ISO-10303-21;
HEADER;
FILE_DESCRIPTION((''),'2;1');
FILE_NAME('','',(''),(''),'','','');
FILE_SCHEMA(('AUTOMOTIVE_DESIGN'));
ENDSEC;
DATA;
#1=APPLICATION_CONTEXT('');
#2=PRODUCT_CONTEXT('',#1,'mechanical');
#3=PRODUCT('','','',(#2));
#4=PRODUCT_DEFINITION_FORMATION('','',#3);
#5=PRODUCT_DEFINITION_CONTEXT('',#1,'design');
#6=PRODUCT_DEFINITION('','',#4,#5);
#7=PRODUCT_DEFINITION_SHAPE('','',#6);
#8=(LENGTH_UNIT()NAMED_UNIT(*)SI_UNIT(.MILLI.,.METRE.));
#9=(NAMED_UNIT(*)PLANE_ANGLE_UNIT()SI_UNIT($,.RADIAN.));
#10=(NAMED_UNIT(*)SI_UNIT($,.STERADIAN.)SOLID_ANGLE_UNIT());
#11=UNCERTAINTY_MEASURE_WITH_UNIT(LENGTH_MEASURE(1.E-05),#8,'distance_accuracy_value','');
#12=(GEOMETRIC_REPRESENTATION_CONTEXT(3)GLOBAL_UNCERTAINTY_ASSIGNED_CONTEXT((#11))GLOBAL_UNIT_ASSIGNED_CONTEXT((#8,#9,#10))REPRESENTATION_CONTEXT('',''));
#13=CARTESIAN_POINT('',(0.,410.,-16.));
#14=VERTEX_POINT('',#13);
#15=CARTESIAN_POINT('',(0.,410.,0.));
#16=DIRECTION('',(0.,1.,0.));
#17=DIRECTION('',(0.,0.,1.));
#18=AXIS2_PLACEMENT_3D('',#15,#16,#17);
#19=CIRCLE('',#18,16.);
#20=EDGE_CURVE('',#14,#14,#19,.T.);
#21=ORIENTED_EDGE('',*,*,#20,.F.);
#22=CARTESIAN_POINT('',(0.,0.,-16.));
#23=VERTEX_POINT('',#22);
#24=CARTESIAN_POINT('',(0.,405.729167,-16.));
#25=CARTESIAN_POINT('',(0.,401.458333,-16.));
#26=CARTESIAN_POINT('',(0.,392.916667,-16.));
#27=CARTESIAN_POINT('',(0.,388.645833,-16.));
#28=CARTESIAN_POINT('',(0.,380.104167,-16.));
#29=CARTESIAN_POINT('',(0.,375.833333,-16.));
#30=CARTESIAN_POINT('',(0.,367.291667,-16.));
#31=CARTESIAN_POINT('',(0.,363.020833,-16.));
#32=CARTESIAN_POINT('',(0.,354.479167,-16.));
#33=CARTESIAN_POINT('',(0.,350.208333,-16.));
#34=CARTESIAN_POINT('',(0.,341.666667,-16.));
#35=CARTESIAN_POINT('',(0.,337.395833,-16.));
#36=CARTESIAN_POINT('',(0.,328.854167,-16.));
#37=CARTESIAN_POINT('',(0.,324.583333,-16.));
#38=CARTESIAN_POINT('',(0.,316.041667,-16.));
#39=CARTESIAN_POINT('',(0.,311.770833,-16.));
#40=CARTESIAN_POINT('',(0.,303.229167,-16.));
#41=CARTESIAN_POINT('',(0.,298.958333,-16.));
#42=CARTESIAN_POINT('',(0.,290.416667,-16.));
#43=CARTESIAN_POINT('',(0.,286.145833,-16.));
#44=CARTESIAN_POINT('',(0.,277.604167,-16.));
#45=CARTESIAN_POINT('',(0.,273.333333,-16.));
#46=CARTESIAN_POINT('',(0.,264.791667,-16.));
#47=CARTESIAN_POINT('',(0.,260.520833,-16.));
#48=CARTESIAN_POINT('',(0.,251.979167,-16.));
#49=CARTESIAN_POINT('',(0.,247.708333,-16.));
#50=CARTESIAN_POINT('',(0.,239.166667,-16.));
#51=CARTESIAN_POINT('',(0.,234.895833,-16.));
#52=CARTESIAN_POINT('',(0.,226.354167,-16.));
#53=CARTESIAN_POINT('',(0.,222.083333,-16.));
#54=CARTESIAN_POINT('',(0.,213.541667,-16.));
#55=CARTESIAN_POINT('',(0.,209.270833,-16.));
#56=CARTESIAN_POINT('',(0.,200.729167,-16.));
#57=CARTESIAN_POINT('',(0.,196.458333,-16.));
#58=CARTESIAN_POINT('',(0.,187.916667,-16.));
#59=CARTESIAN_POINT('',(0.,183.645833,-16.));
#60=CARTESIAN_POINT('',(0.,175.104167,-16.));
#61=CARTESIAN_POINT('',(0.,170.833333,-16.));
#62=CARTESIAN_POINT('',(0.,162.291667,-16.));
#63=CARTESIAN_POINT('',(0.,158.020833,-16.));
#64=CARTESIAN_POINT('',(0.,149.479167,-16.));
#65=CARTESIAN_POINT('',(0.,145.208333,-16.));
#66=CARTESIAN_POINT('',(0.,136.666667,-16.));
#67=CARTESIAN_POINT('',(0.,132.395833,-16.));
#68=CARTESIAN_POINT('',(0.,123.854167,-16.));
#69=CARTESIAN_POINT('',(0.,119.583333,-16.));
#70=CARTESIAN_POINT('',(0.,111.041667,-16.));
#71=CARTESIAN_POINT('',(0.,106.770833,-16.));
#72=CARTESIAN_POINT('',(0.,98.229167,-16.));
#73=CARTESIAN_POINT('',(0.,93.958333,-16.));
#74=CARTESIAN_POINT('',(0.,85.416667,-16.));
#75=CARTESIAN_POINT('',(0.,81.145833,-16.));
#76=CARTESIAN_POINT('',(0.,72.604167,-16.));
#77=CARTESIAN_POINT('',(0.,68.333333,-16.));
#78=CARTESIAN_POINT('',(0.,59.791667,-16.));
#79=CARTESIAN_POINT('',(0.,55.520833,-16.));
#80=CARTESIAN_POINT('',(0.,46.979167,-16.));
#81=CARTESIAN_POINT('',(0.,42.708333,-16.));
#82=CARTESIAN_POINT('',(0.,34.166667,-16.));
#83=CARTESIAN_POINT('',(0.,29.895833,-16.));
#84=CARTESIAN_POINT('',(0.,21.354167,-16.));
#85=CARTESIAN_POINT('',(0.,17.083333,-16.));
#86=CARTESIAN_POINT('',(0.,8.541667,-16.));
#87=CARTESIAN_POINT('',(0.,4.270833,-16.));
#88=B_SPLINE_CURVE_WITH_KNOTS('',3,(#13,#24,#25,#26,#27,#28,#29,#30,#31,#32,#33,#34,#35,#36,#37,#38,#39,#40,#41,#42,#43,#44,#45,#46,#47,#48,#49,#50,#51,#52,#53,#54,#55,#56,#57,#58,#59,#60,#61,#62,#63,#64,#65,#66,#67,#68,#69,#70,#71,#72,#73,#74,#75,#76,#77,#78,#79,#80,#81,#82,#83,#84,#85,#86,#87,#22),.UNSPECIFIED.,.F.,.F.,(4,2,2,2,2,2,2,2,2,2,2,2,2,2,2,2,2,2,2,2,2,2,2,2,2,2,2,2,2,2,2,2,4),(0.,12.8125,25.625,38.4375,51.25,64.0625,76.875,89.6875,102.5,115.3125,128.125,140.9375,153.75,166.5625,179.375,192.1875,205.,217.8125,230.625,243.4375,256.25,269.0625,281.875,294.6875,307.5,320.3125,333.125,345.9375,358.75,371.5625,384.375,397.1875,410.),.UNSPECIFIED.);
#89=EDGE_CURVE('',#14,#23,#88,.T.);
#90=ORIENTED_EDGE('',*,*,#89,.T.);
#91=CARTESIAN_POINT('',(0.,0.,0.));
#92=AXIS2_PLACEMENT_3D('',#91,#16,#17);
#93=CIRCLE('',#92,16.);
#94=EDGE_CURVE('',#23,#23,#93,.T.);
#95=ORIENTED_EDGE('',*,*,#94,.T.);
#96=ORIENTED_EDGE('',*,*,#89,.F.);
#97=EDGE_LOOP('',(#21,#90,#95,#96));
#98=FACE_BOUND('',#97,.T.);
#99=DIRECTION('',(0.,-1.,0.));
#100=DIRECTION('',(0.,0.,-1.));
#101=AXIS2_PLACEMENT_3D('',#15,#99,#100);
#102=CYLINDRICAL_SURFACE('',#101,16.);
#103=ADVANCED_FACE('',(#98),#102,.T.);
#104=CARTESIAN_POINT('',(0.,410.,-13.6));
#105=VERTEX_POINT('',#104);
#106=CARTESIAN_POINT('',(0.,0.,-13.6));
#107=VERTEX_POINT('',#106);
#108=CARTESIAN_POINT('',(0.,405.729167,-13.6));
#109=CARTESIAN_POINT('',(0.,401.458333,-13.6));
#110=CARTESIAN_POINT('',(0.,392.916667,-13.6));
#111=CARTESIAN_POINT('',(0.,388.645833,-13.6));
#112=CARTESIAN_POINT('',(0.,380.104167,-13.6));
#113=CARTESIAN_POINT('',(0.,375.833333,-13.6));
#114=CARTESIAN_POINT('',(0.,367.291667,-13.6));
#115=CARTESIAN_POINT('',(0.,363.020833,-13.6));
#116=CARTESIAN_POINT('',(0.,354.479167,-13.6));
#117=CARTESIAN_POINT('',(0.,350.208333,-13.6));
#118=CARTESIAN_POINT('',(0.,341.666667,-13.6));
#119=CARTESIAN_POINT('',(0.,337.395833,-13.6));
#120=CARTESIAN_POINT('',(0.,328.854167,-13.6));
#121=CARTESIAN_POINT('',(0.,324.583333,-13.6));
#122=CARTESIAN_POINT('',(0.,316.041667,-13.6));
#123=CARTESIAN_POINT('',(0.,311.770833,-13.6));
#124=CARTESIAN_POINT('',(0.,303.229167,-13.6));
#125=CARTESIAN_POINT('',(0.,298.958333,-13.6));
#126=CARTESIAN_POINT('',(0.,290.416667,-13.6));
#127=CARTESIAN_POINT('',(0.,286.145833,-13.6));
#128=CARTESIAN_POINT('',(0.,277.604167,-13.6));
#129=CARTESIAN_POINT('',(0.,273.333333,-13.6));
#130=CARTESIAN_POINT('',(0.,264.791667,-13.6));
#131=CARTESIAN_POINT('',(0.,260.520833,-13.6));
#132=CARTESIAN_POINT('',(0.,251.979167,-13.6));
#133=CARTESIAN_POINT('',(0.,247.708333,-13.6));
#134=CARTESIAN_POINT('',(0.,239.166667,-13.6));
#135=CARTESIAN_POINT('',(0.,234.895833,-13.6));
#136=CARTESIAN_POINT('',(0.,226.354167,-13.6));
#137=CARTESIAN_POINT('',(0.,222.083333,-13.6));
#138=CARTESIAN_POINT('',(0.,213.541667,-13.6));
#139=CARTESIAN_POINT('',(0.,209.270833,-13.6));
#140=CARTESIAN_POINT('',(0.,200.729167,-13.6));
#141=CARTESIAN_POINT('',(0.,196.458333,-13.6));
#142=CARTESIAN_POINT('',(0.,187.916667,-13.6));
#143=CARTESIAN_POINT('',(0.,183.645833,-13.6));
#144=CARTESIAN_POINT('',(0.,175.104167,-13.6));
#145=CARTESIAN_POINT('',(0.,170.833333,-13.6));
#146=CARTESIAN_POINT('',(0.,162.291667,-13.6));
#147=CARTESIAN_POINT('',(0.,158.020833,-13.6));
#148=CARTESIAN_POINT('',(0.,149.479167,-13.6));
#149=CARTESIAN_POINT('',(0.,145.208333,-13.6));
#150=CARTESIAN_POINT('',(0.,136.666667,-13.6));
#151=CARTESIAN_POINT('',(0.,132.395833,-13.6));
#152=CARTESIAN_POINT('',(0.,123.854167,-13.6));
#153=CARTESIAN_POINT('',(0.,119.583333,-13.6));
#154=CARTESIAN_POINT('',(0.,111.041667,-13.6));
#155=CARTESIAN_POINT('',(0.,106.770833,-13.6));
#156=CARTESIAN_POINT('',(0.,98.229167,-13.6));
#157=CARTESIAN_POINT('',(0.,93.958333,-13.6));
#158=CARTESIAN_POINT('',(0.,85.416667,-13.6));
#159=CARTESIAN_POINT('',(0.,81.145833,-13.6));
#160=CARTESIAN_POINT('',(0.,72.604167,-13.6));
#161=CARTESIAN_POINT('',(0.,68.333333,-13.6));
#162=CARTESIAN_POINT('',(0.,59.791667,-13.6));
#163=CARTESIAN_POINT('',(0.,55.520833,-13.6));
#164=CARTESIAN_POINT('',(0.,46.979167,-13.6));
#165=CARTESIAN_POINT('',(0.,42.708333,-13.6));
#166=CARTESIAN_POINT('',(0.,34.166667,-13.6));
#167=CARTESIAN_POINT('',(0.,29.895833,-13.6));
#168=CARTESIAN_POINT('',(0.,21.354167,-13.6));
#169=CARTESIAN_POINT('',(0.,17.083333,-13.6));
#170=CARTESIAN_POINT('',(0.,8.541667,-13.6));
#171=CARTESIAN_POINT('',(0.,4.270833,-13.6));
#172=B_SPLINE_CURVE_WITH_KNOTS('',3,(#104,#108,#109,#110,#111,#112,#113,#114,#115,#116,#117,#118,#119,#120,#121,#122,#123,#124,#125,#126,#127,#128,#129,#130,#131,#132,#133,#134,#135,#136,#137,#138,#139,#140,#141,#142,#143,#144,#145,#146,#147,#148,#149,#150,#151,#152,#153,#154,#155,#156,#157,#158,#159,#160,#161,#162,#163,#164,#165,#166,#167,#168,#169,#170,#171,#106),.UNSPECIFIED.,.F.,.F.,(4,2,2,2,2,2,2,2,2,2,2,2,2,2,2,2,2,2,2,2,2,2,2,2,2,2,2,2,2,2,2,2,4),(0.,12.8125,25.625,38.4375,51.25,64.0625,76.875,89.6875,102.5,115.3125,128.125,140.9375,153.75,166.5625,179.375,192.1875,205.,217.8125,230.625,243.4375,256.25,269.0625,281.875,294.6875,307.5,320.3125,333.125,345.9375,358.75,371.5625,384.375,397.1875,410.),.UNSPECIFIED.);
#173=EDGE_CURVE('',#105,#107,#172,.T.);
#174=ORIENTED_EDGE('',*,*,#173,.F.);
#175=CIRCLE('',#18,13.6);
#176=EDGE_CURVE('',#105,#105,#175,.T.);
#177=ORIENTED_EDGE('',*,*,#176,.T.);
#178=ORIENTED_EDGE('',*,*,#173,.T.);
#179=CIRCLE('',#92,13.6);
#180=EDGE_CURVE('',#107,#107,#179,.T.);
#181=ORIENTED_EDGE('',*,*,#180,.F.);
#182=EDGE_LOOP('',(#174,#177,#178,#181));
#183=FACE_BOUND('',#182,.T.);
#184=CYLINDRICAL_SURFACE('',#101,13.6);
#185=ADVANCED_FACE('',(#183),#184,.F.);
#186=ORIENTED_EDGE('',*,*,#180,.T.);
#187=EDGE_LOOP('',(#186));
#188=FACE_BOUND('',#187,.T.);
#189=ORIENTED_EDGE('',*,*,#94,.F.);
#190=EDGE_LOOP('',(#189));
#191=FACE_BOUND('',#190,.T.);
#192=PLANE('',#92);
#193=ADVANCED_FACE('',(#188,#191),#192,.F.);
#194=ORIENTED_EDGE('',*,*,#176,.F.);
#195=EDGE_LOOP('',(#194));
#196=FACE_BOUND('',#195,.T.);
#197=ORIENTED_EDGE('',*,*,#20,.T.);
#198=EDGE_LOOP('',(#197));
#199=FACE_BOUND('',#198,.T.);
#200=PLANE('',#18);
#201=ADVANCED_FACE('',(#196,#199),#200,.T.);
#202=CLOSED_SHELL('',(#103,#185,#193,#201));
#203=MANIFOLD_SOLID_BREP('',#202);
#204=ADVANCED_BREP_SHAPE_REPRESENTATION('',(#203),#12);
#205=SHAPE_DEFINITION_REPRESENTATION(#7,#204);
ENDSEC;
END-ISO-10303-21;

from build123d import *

# Parameters (mm, degrees)
SKETCH_1_R      = 16
SKETCH_1_R_2    = 13.6
EXTRUDE_1_DEPTH = 410


with BuildPart() as part:
    # 草图1 → 凸台-拉伸1 (new body)
    with BuildSketch(Plane(origin=(0, 0, 0), x_dir=(1, 0, 0), z_dir=(0, 1, 0))):
        with Locations(Location((0, 0, 0), (0, 0, 90))):
            Circle(SKETCH_1_R)
        with Locations(Location((0, 0, 0), (0, 0, 90))):
            Circle(SKETCH_1_R_2, mode=Mode.SUBTRACT)
    extrude(amount=EXTRUDE_1_DEPTH)


solid = part.part
